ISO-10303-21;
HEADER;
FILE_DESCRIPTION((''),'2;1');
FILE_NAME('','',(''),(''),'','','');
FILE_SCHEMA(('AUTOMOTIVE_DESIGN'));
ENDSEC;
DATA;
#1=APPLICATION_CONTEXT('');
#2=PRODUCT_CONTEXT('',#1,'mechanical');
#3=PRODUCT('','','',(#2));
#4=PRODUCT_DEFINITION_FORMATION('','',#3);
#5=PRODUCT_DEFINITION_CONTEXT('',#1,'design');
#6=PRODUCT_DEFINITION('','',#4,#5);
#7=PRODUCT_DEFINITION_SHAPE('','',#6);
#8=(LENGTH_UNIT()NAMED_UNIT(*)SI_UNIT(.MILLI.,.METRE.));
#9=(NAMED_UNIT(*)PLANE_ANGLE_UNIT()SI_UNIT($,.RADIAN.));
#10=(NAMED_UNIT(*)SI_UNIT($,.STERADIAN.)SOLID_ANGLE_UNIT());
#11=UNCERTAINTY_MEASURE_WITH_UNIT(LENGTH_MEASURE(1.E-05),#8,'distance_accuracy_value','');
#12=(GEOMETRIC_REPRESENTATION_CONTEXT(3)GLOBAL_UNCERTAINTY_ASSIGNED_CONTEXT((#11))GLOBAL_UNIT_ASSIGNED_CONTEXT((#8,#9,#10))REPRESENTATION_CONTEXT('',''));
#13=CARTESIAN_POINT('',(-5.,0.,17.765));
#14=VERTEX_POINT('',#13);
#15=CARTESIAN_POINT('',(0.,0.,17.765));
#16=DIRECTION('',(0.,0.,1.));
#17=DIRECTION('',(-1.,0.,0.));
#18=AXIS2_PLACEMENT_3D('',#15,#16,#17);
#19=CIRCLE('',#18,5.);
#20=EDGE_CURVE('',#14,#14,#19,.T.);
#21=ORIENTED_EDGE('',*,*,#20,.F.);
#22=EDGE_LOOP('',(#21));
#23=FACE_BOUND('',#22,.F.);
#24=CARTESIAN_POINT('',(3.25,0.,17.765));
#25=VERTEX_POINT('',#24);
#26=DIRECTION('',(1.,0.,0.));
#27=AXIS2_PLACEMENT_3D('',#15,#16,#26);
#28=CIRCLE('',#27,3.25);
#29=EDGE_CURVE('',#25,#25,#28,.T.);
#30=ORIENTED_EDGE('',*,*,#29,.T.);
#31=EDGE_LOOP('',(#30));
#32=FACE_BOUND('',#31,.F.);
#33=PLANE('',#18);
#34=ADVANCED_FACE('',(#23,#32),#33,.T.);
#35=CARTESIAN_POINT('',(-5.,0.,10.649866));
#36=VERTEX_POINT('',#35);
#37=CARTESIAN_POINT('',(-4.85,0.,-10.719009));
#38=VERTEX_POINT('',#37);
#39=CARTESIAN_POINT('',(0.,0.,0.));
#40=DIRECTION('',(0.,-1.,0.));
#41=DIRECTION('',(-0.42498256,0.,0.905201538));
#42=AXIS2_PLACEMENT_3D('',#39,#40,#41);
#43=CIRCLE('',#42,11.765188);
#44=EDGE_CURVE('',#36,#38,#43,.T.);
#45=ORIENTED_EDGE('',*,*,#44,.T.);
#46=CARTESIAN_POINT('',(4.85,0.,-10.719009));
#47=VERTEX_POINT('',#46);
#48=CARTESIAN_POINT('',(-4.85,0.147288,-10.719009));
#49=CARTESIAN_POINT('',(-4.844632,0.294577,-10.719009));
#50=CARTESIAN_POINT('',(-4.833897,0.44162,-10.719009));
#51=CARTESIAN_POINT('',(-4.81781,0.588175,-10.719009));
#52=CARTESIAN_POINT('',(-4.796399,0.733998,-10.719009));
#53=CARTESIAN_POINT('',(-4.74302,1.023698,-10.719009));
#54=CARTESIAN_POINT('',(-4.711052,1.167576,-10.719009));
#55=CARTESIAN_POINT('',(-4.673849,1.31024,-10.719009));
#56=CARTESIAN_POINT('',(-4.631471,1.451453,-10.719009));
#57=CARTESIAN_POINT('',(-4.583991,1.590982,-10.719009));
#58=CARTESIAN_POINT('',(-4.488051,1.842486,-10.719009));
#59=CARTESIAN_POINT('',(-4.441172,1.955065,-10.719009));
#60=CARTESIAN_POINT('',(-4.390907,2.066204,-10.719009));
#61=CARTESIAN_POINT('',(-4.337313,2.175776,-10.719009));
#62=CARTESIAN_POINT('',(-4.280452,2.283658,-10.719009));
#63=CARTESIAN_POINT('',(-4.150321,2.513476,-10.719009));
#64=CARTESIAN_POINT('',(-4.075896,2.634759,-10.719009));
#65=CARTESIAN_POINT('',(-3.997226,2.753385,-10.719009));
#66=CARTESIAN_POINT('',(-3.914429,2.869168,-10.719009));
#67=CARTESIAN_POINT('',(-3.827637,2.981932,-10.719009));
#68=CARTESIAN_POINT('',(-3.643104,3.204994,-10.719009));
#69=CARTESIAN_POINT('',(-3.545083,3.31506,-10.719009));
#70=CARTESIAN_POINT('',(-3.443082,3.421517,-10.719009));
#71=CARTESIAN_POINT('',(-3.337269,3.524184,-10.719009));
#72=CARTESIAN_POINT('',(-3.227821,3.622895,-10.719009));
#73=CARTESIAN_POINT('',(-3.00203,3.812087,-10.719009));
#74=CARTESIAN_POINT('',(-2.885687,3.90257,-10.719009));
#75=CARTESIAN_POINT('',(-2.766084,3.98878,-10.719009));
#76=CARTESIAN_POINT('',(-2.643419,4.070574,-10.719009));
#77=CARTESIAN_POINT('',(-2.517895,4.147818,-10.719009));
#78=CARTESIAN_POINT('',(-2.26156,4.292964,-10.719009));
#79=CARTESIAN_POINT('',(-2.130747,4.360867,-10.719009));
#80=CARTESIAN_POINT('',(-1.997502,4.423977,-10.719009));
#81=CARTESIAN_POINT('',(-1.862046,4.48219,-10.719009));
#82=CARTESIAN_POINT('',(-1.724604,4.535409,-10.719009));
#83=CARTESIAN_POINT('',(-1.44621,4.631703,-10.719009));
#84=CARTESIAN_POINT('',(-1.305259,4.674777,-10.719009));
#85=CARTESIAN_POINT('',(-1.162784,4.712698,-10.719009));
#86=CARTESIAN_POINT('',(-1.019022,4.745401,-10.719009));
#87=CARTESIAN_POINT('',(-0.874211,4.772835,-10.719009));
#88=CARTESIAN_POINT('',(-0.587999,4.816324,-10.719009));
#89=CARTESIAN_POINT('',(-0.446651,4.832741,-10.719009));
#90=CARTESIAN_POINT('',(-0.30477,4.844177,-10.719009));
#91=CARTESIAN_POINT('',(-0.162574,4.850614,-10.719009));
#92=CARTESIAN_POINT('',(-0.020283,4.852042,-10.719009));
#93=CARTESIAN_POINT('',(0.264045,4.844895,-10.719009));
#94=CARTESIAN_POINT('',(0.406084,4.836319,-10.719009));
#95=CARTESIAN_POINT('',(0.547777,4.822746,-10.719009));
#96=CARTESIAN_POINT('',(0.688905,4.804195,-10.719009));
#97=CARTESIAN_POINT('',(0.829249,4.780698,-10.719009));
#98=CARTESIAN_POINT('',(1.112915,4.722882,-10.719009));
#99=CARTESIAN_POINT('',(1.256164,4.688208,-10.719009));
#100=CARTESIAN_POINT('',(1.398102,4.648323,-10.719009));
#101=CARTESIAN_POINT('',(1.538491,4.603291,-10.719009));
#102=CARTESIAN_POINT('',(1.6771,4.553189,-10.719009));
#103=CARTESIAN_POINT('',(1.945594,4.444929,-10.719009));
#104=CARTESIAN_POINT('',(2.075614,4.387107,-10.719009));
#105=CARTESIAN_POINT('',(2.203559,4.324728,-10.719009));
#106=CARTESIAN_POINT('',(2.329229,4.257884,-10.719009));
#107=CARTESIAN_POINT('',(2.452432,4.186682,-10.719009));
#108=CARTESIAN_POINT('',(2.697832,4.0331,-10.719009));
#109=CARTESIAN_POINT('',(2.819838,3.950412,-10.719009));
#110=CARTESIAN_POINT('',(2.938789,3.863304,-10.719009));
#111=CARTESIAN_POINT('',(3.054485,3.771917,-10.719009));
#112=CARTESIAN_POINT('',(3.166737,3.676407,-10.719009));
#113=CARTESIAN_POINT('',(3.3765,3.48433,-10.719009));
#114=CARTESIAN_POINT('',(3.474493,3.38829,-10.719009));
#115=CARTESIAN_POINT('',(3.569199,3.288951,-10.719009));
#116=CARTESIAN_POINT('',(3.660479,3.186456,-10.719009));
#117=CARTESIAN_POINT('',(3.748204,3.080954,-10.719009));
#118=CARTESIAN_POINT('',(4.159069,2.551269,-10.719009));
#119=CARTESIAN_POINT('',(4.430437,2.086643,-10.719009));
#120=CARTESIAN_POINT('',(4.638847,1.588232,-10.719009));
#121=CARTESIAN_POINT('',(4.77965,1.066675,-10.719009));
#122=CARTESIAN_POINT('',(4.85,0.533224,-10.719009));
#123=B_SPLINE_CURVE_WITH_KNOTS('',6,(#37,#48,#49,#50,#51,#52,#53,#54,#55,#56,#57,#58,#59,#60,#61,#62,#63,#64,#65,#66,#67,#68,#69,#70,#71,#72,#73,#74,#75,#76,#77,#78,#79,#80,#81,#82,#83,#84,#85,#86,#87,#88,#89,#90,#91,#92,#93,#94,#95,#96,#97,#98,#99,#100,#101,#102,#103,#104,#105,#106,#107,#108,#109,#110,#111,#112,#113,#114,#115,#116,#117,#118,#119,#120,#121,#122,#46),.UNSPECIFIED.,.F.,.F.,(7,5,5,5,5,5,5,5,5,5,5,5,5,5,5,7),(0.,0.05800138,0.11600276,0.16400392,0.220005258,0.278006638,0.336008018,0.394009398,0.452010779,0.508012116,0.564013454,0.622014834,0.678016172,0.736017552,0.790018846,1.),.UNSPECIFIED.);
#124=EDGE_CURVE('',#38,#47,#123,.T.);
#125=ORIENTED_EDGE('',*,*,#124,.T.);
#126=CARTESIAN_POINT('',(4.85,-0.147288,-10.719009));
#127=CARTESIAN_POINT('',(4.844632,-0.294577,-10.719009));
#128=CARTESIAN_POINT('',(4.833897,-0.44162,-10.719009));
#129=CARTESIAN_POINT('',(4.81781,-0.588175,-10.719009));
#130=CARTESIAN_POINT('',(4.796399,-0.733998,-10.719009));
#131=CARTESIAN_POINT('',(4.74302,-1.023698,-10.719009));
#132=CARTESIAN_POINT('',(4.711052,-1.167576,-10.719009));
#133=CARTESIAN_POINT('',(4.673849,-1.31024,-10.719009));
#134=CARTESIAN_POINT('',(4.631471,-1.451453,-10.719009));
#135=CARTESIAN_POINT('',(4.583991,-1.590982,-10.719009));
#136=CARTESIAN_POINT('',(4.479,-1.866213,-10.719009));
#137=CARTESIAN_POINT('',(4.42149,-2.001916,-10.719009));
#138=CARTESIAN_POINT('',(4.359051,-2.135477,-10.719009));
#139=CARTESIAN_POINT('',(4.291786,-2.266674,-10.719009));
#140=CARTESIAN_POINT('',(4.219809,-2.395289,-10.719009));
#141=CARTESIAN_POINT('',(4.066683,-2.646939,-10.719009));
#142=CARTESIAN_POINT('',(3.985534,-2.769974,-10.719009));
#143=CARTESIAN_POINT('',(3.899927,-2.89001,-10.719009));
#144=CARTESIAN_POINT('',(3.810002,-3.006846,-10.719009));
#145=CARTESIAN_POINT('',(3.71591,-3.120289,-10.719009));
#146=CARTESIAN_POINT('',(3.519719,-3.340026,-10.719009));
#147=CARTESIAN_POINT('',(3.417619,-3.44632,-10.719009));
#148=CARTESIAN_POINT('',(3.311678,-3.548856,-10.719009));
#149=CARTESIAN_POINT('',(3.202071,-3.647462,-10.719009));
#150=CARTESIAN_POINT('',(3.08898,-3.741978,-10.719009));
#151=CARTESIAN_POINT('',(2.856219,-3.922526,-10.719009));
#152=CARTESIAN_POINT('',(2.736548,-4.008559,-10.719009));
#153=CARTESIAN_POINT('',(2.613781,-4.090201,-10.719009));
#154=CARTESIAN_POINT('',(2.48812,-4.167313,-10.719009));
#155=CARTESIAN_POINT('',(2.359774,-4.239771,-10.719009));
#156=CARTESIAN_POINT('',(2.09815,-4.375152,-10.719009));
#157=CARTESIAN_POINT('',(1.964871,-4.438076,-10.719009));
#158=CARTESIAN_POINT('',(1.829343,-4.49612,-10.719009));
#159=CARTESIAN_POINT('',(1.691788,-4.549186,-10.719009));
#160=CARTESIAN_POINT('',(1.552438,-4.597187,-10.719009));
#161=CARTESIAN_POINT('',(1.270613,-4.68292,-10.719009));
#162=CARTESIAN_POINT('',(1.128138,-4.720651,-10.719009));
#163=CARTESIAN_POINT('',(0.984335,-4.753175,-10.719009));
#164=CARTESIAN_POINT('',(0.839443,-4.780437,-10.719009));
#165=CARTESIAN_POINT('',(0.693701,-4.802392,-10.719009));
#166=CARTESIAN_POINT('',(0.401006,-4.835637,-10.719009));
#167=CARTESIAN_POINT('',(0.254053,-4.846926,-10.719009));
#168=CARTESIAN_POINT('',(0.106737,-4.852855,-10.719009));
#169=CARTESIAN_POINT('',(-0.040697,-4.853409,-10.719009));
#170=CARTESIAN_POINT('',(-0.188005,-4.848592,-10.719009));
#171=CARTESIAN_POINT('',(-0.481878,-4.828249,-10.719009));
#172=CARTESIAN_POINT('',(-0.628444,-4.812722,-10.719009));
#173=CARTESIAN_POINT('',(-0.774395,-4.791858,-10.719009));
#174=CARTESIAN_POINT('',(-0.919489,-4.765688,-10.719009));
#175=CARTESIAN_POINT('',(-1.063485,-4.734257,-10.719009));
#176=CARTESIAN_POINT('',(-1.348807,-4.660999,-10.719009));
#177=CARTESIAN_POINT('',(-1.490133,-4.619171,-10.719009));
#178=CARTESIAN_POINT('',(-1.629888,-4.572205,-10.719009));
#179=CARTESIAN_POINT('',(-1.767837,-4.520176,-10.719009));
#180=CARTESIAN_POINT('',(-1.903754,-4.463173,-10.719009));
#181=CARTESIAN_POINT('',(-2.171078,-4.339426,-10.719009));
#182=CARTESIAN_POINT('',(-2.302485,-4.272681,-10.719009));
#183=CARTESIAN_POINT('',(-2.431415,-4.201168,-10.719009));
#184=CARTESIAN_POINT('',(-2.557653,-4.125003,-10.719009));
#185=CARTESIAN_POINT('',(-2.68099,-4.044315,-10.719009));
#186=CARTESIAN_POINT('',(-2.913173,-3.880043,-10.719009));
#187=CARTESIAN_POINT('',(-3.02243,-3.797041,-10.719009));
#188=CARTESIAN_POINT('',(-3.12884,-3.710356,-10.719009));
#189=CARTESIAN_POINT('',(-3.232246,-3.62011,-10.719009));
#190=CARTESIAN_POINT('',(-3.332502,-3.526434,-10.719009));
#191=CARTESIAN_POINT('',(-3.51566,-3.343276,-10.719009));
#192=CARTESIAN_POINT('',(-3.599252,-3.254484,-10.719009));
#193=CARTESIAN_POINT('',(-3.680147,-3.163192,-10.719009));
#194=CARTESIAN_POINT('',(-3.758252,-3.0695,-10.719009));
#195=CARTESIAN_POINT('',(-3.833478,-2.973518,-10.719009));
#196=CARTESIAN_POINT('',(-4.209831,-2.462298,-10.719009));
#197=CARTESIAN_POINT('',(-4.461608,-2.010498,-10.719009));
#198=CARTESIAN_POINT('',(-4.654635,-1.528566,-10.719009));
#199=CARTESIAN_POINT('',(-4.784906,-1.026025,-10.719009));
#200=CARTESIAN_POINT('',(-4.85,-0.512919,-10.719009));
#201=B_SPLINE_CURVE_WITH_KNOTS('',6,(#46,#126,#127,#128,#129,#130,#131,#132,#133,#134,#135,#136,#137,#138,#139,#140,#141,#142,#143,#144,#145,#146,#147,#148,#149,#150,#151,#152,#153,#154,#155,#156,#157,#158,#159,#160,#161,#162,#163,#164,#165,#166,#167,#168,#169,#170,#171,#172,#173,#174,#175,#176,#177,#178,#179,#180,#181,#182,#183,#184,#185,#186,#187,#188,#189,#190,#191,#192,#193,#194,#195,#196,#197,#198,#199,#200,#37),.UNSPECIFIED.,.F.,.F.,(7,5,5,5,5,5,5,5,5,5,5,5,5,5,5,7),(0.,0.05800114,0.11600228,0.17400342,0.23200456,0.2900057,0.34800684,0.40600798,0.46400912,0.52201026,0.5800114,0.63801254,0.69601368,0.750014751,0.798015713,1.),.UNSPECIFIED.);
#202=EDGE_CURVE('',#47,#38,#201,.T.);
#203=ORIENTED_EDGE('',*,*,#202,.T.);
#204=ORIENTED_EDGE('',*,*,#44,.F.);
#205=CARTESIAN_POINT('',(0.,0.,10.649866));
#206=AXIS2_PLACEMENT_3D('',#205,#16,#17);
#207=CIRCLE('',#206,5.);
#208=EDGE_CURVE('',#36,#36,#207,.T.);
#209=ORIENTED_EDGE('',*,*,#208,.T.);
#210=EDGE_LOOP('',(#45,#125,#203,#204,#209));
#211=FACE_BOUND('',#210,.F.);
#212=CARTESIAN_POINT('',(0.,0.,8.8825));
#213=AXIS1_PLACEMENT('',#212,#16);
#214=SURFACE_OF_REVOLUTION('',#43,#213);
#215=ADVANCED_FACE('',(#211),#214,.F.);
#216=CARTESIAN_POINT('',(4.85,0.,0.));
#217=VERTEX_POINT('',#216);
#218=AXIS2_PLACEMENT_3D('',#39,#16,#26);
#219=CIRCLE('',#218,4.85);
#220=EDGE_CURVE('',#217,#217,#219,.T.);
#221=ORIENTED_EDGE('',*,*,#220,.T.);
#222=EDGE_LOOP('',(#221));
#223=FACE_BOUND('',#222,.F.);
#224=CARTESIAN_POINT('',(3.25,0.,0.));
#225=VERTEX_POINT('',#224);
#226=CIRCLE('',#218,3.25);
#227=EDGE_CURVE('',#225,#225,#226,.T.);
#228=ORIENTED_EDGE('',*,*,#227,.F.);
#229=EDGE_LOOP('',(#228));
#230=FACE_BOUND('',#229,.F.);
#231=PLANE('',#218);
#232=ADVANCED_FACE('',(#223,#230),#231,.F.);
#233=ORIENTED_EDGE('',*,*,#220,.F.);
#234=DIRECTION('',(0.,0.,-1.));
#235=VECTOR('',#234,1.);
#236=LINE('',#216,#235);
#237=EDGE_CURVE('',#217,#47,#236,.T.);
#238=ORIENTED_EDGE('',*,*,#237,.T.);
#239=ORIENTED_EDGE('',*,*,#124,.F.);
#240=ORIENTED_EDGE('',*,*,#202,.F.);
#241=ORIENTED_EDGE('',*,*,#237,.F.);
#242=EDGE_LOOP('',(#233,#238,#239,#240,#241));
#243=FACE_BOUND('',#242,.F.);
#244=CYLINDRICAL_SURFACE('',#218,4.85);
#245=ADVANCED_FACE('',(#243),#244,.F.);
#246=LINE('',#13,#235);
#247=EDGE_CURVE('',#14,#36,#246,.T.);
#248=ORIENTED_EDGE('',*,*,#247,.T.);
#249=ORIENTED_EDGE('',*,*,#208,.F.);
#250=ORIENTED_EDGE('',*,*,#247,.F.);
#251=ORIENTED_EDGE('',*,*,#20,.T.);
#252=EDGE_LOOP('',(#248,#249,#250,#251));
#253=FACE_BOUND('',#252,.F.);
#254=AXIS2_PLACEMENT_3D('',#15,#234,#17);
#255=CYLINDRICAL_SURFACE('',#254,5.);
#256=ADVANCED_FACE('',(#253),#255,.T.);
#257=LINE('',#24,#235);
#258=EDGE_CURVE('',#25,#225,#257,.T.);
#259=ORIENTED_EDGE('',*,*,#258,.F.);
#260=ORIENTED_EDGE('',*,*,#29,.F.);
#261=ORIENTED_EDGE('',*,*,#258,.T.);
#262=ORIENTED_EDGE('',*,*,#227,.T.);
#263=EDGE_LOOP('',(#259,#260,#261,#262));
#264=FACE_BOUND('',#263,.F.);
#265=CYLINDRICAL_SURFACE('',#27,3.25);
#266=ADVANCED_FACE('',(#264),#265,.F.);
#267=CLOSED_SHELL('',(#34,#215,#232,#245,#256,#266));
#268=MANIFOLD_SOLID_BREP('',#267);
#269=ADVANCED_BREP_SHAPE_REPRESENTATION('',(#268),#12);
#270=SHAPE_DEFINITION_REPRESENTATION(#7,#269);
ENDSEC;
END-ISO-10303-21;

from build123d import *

# Parameters (mm, degrees)
F2_R     = 3.25
F3_DEPTH = 29.531188
F4_R     = 4.85
F5_DEPTH = 25


with BuildPart() as f1:
    # F0 (on Front) → F1 (revolve)
    with BuildSketch(Plane.XZ):
        with BuildLine():
            Line((0, -11.765188), (0, 0))
            Line((0, 0), (-5, 0))
            Line((-5, 0), (-5, 10.649866))
            ThreePointArc((-5, 10.649866), (-11.482973, -2.561442), (0, -11.765188))
        make_face()
        with BuildLine():
            Line((-5, 0), (0, 0))
            Line((0, 0), (0, 11.765188))
            ThreePointArc((0, 11.765188), (-2.561442, 11.482973), (-5, 10.649866))
            Line((-5, 10.649866), (-5, 0))
        make_face()
        with BuildLine():
            ThreePointArc((-5, 10.649866), (-2.561442, 11.482973), (0, 11.765188))
            Line((0, 11.765188), (0, 17.765))
            Line((0, 17.765), (-5, 17.765))
            Line((-5, 17.765), (-5, 10.649866))
        make_face()
    revolve(axis=Axis((0, 0, 8.8825), (0, 0, 1)))

    # F2 (on face) → F3 (cut, through all)
    with BuildSketch(Plane.XY.offset(17.765)):
        Circle(F2_R)
    extrude(amount=-F3_DEPTH, mode=Mode.SUBTRACT)

    # F4 (on Top) → F5 (cut)
    with BuildSketch(Plane.XY):
        Circle(F4_R)
    extrude(amount=-F5_DEPTH, mode=Mode.SUBTRACT)


solid = f1.part
